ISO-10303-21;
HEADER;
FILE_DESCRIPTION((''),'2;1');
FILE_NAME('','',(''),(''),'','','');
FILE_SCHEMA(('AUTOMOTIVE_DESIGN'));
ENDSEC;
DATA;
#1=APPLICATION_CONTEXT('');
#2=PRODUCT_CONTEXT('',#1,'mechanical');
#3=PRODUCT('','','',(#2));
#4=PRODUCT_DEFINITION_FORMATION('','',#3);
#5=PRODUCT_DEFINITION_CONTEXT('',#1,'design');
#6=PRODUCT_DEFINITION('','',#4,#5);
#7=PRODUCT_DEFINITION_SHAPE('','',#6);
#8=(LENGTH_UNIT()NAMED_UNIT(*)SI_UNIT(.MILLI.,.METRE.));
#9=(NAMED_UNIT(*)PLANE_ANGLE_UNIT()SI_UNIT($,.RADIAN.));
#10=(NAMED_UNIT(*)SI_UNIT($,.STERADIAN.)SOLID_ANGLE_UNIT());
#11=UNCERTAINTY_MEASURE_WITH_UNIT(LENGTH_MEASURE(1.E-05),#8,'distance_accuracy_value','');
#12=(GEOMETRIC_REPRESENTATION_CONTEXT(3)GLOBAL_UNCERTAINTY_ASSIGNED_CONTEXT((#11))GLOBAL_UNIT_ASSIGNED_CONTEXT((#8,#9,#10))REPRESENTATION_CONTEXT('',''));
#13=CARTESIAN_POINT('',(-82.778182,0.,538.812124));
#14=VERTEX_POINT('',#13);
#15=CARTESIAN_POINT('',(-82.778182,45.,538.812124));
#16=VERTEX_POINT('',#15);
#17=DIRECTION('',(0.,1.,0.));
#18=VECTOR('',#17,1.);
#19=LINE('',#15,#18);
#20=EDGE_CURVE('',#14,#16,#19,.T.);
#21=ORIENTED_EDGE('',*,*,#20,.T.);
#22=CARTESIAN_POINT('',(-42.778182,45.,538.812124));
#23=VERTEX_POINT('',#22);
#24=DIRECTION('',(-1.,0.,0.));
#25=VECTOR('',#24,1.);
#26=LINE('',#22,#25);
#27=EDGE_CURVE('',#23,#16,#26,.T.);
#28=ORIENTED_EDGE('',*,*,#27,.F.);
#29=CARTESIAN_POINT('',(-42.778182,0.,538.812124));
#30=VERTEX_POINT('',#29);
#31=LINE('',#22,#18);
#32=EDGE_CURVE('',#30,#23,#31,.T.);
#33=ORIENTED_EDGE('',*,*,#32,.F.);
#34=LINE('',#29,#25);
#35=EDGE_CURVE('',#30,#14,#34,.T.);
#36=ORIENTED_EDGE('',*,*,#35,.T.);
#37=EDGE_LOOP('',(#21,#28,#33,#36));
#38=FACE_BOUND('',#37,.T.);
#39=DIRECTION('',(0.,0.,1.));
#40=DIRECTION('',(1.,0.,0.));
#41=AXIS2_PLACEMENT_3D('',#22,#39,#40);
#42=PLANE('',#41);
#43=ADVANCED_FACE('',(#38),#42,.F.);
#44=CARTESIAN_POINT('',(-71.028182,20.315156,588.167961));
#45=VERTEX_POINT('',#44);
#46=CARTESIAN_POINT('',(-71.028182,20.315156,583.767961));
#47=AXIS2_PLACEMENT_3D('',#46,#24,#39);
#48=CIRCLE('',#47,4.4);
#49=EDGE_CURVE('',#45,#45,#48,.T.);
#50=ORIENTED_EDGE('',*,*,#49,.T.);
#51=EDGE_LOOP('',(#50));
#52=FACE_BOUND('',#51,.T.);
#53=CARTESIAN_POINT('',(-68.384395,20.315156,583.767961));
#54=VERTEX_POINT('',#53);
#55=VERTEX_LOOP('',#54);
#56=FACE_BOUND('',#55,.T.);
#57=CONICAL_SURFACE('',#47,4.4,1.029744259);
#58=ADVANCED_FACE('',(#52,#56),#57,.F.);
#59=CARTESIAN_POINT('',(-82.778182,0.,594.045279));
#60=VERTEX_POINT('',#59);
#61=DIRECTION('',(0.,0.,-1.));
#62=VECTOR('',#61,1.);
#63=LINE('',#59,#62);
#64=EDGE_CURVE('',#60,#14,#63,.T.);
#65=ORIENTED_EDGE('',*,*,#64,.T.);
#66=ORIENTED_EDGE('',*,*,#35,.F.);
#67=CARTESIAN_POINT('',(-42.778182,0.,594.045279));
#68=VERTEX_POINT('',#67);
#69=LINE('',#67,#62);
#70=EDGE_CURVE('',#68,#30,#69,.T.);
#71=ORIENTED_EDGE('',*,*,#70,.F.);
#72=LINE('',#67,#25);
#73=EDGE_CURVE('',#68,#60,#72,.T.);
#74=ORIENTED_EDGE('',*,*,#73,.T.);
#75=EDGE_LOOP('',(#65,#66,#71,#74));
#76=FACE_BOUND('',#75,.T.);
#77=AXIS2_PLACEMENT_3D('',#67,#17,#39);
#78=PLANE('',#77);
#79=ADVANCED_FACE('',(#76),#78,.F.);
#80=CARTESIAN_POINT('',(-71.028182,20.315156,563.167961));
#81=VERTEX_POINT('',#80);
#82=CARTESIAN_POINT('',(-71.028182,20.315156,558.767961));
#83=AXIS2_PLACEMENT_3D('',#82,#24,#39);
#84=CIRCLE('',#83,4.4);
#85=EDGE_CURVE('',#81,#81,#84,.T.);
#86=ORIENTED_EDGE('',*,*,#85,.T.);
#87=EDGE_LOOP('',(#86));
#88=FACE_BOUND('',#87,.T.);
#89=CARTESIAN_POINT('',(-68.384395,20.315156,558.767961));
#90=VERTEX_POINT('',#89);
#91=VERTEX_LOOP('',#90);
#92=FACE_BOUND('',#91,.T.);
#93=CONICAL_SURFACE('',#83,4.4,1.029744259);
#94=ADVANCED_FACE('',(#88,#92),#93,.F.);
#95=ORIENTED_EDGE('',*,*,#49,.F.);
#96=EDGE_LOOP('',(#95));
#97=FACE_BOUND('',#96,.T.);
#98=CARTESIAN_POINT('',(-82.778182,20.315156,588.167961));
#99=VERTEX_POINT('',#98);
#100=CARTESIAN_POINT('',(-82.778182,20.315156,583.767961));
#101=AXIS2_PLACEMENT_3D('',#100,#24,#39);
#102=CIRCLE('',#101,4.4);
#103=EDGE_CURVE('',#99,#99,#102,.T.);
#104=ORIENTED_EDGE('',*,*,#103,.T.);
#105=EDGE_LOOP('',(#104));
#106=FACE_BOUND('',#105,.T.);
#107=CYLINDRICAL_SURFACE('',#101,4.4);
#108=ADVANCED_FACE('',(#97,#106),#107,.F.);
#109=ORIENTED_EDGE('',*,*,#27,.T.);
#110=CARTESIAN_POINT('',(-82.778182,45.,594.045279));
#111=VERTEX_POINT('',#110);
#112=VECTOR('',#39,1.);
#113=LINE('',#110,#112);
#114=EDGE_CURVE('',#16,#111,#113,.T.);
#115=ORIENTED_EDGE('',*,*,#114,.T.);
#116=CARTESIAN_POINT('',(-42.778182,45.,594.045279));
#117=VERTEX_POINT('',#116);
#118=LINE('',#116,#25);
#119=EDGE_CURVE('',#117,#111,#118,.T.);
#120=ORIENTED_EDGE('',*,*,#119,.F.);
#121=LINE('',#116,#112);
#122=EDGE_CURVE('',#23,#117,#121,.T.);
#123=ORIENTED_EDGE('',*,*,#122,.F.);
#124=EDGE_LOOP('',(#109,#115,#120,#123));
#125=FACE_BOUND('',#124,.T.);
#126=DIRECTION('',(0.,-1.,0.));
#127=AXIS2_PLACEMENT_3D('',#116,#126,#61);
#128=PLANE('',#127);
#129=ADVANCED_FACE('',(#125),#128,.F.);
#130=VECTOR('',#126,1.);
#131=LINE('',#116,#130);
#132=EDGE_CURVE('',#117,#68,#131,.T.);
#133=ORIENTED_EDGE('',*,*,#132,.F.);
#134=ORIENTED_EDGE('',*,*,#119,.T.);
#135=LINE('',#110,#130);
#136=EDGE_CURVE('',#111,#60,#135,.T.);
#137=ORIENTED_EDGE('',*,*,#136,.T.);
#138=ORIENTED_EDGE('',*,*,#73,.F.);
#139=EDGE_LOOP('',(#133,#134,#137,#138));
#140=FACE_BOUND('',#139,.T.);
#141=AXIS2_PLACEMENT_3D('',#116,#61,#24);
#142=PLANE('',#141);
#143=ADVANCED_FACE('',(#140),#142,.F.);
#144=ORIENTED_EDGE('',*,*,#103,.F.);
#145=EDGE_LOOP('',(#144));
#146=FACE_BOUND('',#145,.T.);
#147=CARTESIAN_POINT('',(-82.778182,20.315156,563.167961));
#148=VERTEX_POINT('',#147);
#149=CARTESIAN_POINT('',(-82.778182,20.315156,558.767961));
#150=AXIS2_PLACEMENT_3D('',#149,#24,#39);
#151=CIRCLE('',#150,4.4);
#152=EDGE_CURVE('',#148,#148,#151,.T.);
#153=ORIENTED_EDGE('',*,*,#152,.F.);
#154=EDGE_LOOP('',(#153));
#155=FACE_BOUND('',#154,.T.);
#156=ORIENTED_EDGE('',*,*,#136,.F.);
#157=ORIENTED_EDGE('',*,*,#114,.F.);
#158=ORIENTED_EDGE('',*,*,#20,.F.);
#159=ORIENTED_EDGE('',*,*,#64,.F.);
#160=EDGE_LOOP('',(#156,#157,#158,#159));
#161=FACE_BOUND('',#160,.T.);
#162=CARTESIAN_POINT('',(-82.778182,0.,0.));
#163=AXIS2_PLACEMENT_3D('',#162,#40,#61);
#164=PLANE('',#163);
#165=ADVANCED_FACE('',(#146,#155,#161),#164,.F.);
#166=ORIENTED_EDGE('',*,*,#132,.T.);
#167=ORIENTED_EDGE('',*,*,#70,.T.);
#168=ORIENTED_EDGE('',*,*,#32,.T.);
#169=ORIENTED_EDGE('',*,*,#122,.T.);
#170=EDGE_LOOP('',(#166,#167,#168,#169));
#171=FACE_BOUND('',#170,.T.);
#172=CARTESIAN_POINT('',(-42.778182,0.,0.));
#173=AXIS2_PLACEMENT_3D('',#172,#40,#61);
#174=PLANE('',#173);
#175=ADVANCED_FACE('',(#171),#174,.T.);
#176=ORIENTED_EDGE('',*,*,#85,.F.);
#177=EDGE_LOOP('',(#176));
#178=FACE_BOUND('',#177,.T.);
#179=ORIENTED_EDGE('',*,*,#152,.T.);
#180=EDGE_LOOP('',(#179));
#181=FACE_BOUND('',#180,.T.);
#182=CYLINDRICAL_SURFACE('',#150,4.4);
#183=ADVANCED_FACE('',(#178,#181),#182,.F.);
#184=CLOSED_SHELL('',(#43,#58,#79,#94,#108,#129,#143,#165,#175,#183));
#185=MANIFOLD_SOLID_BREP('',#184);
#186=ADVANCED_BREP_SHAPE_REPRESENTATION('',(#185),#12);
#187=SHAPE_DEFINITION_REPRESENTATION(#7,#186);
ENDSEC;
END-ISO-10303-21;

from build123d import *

# Parameters (mm, degrees)
SKETCH1_W                   = 55.233155238
SKETCH1_H                   = 45
BOSS_EXTRUDE1_DEPTH         = 40
M10X1_25_TAPPED_HOLE1_D     = 8.8
M10X1_25_TAPPED_HOLE1_DEPTH = 11.75
M10X1_25_TAPPED_HOLE1_TIP   = 2.643786724


with BuildPart() as part:
    # Sketch1 → Boss-Extrude1 (new body)
    with BuildSketch(Plane(origin=(-82.778181514, 0, 0), x_dir=(0, 0, -1), z_dir=(1, 0, 0))):
        with Locations((-566.428701217, 22.5)):
            Rectangle(SKETCH1_W, SKETCH1_H)
    extrude(amount=BOSS_EXTRUDE1_DEPTH)

    # M10x1.25 Tapped Hole1
    with Locations(Plane.ZY.offset(82.778181514)):
        with Locations((583.767961031, 20.315155656), (558.767961031, 20.315155656)):
            Hole(M10X1_25_TAPPED_HOLE1_D / 2, depth=M10X1_25_TAPPED_HOLE1_DEPTH)
            with Locations((0, 0, -(M10X1_25_TAPPED_HOLE1_DEPTH + M10X1_25_TAPPED_HOLE1_TIP / 2))):  # 118° drill point
                Cone(0, M10X1_25_TAPPED_HOLE1_D / 2, M10X1_25_TAPPED_HOLE1_TIP, mode=Mode.SUBTRACT)


solid = part.part
